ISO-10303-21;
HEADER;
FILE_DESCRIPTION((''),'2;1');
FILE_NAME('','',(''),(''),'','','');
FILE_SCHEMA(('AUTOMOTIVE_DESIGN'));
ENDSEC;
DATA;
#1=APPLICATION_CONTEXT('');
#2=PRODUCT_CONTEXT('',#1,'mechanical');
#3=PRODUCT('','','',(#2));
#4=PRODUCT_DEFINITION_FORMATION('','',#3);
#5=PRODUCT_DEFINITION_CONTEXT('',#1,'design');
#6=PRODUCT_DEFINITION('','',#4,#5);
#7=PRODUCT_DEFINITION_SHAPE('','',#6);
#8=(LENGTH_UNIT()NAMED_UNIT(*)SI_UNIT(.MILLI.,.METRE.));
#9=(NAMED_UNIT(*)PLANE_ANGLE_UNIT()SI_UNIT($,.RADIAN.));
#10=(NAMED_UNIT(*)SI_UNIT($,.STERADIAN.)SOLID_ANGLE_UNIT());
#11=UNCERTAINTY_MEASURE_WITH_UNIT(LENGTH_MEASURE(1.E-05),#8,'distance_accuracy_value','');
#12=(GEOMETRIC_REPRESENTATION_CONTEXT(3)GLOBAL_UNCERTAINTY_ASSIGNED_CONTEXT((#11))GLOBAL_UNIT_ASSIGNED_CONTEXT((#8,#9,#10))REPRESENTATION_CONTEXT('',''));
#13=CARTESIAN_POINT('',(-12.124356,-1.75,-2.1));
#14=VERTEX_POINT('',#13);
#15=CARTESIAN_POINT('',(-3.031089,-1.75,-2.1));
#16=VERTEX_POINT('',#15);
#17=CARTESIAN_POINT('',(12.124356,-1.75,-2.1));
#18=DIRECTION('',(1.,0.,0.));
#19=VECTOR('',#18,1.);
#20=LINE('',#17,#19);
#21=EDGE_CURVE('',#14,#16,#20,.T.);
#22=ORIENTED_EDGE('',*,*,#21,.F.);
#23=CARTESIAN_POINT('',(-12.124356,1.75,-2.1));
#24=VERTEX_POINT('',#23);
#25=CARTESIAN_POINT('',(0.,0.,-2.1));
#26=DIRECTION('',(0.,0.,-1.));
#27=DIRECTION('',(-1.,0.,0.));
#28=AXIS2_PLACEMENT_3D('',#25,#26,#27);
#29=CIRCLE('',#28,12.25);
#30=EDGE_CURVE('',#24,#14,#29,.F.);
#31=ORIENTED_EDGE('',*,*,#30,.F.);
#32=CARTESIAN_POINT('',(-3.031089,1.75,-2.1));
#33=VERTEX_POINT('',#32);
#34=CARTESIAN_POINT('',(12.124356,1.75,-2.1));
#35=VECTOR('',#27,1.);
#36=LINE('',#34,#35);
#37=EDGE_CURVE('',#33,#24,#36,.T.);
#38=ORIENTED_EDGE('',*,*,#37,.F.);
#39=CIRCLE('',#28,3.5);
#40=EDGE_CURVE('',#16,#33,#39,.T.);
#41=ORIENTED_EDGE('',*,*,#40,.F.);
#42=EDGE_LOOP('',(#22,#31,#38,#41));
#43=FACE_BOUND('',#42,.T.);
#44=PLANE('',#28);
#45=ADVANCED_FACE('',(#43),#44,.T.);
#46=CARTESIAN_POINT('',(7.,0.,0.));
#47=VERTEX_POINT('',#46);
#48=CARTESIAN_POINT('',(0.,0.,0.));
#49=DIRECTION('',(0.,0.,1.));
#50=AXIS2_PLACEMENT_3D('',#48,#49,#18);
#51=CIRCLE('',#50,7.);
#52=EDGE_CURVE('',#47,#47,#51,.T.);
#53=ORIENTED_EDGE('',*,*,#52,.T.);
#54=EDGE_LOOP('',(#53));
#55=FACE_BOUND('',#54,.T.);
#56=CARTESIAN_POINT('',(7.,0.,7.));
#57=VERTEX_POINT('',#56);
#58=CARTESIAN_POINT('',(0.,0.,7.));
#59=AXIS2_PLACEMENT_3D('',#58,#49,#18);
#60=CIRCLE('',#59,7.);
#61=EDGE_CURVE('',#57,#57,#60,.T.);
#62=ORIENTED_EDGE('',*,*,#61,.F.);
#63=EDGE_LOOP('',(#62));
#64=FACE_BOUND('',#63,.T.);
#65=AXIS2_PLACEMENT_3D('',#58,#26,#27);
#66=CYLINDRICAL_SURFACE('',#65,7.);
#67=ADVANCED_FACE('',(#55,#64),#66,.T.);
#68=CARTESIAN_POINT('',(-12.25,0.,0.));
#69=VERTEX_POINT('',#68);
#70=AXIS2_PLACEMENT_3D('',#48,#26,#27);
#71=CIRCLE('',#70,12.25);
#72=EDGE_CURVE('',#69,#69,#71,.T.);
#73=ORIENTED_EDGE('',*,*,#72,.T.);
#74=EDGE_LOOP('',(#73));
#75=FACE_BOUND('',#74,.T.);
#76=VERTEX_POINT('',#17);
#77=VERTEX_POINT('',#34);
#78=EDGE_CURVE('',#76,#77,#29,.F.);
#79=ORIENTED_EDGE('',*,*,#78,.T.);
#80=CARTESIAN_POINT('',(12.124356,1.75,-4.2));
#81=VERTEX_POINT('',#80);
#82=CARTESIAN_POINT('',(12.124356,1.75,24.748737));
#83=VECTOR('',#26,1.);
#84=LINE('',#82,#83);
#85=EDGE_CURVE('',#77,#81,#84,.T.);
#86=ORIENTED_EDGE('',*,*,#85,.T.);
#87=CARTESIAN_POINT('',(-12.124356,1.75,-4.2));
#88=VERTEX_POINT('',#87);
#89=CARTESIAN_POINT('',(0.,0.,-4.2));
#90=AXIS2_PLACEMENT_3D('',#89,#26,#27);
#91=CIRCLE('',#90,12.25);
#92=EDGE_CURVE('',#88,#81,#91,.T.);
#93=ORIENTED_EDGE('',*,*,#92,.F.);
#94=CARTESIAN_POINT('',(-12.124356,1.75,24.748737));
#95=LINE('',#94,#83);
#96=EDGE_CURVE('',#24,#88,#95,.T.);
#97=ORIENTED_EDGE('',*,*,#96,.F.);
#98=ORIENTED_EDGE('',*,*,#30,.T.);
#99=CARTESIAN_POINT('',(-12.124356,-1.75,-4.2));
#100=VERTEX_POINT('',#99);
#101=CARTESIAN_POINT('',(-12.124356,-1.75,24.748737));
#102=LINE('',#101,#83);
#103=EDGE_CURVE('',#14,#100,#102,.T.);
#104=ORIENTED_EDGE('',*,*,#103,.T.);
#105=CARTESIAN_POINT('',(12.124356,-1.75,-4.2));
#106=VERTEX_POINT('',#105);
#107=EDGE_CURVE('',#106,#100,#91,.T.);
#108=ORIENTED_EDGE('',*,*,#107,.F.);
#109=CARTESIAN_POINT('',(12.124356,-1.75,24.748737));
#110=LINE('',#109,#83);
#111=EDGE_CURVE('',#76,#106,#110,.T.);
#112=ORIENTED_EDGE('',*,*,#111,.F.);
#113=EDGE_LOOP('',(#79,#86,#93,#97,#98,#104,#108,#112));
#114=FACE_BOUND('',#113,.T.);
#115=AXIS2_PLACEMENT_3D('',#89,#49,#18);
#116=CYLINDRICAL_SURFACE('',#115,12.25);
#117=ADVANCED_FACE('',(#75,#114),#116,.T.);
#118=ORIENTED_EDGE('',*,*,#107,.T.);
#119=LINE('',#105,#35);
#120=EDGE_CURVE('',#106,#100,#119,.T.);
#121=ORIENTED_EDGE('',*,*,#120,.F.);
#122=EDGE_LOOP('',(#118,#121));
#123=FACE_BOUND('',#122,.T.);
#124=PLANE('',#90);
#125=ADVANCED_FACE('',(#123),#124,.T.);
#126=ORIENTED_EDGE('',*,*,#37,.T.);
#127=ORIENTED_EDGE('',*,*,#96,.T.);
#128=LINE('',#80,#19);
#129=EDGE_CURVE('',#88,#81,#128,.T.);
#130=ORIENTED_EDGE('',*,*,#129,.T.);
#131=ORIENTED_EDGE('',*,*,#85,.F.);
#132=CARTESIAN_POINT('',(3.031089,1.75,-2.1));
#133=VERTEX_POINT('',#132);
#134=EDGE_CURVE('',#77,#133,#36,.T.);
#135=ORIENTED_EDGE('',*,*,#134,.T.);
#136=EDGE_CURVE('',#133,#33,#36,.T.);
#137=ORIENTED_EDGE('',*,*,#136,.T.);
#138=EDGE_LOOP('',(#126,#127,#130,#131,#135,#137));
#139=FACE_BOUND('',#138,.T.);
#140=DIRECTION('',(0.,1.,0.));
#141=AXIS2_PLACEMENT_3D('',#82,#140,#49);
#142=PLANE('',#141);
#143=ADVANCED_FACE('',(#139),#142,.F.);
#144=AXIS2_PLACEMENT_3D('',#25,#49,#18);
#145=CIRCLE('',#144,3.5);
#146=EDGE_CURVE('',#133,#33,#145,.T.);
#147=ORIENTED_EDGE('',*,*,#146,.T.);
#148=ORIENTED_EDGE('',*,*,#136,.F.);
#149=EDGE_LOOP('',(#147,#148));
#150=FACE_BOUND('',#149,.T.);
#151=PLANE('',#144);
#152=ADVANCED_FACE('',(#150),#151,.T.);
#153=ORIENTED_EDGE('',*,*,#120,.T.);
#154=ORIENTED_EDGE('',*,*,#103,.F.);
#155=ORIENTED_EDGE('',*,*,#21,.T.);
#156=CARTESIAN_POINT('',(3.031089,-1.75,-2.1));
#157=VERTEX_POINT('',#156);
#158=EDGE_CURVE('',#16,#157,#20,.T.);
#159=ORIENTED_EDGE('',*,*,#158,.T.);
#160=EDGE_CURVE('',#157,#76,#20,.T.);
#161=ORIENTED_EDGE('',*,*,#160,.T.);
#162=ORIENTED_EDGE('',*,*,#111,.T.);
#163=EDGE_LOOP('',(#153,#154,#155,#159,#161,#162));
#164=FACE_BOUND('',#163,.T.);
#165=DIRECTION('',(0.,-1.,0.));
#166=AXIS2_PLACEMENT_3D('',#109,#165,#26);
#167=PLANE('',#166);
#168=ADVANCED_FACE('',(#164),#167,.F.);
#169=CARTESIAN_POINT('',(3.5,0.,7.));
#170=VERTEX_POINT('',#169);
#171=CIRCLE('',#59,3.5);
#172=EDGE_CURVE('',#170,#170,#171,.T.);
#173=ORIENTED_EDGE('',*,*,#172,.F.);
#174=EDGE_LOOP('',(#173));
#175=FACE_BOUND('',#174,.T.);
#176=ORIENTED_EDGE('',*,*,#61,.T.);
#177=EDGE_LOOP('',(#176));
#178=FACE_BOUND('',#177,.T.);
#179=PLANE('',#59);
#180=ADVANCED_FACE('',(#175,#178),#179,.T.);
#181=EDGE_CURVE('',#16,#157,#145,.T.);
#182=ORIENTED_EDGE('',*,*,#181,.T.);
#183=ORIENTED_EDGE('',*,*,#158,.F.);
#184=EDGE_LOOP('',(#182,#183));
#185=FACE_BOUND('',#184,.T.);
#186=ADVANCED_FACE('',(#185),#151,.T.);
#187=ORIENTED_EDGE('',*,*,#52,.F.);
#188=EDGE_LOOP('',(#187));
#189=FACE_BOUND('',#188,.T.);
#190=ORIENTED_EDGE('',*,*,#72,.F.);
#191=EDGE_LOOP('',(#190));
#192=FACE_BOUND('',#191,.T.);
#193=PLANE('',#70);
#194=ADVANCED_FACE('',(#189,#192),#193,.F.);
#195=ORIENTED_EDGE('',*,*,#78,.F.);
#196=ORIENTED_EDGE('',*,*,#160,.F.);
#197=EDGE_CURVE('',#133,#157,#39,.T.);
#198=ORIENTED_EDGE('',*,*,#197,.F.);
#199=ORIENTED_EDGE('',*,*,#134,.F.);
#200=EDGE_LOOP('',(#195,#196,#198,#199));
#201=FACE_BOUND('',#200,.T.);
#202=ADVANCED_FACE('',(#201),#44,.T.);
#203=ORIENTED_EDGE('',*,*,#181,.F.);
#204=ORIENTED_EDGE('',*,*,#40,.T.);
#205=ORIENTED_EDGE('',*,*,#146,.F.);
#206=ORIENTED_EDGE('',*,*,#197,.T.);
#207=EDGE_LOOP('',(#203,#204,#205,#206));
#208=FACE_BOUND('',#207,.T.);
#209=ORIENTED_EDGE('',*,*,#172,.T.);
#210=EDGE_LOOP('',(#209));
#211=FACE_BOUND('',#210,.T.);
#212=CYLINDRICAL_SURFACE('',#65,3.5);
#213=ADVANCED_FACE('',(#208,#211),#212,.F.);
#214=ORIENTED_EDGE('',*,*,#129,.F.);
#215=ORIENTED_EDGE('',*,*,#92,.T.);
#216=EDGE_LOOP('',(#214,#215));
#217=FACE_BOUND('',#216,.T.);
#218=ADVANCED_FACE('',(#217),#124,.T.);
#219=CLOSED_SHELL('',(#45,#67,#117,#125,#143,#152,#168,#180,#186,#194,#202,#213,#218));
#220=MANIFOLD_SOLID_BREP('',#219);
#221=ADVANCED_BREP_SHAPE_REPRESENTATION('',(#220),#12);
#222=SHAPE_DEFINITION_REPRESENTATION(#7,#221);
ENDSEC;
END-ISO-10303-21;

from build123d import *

# Parameters (mm, degrees)
SKETCH1_R           = 7
SKETCH1_R_2         = 3.5
BOSS_EXTRUDE1_DEPTH = 7
SKETCH2_R           = 12.25
BOSS_EXTRUDE2_DEPTH = 4.2
CUT_EXTRUDE1_START  = -2.1
CUT_EXTRUDE1_DEPTH  = 2.1
CUT_EXTRUDE2_START  = -2.1
SKETCH4_R           = 3.5
CUT_EXTRUDE2_DEPTH  = 2.1


with BuildPart() as part:
    # Sketch1 → Boss-Extrude1 (new body)
    with BuildSketch(Plane.XY):
        Circle(SKETCH1_R)
        Circle(SKETCH1_R_2, mode=Mode.SUBTRACT)
    extrude(amount=BOSS_EXTRUDE1_DEPTH)

    # Sketch2 → Boss-Extrude2 (add)
    with BuildSketch(Plane(origin=(0, 0, 0), x_dir=(-1, 0, 0), z_dir=(0, 0, -1))):
        Circle(SKETCH2_R)
    extrude(amount=BOSS_EXTRUDE2_DEPTH)

    # Sketch3 → Cut-Extrude1 (cut)
    with BuildSketch(Plane(origin=(0, 0, -4.2), x_dir=(-1, 0, 0), z_dir=(0, 0, -1)).offset(CUT_EXTRUDE1_START)):
        with BuildLine():
            Line((-12.124355653, 1.75), (12.124355653, 1.75))
            ThreePointArc((12.124355653, 1.75), (12.25, 0), (12.124355653, -1.75))
            Line((12.124355653, -1.75), (-12.124355653, -1.75))
            ThreePointArc((-12.124355653, -1.75), (-12.25, 0), (-12.124355653, 1.75))
        make_face()
    extrude(amount=CUT_EXTRUDE1_DEPTH, mode=Mode.SUBTRACT)

    # Sketch4 → Cut-Extrude2 (cut)
    with BuildSketch(Plane.XY.offset(CUT_EXTRUDE2_START)):
        with Locations(Location((0, 0, 0), (0, 0, 210))):
            Circle(SKETCH4_R)
    extrude(amount=CUT_EXTRUDE2_DEPTH, mode=Mode.SUBTRACT)


solid = part.part
